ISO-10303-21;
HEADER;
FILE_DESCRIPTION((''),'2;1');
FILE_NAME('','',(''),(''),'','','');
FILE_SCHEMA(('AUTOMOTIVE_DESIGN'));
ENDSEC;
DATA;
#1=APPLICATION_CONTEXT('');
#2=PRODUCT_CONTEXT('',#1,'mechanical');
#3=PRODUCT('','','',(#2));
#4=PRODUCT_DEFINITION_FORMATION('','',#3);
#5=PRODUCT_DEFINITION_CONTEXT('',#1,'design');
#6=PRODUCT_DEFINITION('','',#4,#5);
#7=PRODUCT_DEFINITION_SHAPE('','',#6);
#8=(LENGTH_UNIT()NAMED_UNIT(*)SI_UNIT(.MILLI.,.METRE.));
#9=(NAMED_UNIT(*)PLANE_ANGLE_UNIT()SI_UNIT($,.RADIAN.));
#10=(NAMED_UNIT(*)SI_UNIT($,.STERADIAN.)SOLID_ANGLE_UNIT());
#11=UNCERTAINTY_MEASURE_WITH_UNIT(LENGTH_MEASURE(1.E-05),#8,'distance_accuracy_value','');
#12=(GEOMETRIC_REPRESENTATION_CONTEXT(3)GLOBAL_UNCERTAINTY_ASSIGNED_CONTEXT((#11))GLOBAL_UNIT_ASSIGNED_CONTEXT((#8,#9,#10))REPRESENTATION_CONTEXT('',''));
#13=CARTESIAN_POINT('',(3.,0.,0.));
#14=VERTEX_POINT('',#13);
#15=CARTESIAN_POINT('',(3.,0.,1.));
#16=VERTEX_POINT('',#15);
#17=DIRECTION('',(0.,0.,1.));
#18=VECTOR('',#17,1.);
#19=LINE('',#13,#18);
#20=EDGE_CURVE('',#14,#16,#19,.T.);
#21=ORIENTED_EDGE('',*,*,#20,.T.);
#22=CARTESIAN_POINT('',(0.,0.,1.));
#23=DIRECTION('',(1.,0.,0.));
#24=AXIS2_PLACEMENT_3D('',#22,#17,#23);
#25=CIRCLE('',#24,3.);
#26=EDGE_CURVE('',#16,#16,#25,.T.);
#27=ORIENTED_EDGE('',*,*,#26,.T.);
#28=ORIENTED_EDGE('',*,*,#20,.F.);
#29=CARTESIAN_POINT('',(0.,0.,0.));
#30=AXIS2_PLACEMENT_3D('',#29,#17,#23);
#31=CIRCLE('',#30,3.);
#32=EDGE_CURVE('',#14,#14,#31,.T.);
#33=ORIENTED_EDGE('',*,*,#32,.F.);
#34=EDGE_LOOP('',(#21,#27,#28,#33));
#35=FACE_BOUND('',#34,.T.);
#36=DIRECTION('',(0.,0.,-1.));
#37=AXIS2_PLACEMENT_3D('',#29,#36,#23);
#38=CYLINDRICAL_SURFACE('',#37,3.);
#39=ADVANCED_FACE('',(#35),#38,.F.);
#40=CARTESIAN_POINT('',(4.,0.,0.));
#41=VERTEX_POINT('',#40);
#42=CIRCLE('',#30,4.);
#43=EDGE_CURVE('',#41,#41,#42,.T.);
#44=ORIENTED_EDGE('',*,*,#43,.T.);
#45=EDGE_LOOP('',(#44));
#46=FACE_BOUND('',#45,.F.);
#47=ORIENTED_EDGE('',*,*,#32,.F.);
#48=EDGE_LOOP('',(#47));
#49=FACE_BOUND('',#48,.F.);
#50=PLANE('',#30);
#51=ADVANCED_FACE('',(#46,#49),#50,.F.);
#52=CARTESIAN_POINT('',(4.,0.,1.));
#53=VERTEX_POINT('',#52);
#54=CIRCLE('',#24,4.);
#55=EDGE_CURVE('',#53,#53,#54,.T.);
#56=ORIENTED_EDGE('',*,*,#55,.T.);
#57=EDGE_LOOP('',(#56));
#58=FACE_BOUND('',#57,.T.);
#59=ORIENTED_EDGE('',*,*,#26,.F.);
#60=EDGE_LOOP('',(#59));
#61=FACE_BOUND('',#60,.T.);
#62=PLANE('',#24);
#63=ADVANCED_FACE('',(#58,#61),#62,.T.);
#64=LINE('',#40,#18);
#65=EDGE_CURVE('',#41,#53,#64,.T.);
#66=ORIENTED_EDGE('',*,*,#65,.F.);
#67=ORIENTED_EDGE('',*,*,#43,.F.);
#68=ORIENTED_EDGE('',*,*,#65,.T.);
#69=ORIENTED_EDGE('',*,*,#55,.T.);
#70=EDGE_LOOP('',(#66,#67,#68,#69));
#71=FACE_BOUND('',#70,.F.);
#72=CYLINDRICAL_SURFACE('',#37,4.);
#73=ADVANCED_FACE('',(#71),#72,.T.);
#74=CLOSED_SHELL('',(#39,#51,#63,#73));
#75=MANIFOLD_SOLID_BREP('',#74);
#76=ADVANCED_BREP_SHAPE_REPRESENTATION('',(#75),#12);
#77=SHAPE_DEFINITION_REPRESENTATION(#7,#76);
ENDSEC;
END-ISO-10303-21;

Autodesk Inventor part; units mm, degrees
ref_plane "YZ Plane" through (0, 0, 0) normal (1, 0, 0) x (0, 1, 0)
ref_plane "XZ Plane" through (0, 0, 0) normal (0, 1, 0) x (-1, 0, 0)
ref_plane "XY Plane" through (0, 0, 0) normal (0, 0, 1) x (1, 0, 0)
sketch "スケッチ1" plane through (0, 0, 0) normal (0, 0, 1) x (1, 0, 0)
  circle A0 centre (0, 0) radius 3
  circle A1 centre (0, 0) radius 4
  dimension "d0" = 6
  dimension "d1" = 8
extrude "押し出し1" add sketch "スケッチ1" along normal blind 1
properties part number "オイレス060801" material "アセタール樹脂、黒"
